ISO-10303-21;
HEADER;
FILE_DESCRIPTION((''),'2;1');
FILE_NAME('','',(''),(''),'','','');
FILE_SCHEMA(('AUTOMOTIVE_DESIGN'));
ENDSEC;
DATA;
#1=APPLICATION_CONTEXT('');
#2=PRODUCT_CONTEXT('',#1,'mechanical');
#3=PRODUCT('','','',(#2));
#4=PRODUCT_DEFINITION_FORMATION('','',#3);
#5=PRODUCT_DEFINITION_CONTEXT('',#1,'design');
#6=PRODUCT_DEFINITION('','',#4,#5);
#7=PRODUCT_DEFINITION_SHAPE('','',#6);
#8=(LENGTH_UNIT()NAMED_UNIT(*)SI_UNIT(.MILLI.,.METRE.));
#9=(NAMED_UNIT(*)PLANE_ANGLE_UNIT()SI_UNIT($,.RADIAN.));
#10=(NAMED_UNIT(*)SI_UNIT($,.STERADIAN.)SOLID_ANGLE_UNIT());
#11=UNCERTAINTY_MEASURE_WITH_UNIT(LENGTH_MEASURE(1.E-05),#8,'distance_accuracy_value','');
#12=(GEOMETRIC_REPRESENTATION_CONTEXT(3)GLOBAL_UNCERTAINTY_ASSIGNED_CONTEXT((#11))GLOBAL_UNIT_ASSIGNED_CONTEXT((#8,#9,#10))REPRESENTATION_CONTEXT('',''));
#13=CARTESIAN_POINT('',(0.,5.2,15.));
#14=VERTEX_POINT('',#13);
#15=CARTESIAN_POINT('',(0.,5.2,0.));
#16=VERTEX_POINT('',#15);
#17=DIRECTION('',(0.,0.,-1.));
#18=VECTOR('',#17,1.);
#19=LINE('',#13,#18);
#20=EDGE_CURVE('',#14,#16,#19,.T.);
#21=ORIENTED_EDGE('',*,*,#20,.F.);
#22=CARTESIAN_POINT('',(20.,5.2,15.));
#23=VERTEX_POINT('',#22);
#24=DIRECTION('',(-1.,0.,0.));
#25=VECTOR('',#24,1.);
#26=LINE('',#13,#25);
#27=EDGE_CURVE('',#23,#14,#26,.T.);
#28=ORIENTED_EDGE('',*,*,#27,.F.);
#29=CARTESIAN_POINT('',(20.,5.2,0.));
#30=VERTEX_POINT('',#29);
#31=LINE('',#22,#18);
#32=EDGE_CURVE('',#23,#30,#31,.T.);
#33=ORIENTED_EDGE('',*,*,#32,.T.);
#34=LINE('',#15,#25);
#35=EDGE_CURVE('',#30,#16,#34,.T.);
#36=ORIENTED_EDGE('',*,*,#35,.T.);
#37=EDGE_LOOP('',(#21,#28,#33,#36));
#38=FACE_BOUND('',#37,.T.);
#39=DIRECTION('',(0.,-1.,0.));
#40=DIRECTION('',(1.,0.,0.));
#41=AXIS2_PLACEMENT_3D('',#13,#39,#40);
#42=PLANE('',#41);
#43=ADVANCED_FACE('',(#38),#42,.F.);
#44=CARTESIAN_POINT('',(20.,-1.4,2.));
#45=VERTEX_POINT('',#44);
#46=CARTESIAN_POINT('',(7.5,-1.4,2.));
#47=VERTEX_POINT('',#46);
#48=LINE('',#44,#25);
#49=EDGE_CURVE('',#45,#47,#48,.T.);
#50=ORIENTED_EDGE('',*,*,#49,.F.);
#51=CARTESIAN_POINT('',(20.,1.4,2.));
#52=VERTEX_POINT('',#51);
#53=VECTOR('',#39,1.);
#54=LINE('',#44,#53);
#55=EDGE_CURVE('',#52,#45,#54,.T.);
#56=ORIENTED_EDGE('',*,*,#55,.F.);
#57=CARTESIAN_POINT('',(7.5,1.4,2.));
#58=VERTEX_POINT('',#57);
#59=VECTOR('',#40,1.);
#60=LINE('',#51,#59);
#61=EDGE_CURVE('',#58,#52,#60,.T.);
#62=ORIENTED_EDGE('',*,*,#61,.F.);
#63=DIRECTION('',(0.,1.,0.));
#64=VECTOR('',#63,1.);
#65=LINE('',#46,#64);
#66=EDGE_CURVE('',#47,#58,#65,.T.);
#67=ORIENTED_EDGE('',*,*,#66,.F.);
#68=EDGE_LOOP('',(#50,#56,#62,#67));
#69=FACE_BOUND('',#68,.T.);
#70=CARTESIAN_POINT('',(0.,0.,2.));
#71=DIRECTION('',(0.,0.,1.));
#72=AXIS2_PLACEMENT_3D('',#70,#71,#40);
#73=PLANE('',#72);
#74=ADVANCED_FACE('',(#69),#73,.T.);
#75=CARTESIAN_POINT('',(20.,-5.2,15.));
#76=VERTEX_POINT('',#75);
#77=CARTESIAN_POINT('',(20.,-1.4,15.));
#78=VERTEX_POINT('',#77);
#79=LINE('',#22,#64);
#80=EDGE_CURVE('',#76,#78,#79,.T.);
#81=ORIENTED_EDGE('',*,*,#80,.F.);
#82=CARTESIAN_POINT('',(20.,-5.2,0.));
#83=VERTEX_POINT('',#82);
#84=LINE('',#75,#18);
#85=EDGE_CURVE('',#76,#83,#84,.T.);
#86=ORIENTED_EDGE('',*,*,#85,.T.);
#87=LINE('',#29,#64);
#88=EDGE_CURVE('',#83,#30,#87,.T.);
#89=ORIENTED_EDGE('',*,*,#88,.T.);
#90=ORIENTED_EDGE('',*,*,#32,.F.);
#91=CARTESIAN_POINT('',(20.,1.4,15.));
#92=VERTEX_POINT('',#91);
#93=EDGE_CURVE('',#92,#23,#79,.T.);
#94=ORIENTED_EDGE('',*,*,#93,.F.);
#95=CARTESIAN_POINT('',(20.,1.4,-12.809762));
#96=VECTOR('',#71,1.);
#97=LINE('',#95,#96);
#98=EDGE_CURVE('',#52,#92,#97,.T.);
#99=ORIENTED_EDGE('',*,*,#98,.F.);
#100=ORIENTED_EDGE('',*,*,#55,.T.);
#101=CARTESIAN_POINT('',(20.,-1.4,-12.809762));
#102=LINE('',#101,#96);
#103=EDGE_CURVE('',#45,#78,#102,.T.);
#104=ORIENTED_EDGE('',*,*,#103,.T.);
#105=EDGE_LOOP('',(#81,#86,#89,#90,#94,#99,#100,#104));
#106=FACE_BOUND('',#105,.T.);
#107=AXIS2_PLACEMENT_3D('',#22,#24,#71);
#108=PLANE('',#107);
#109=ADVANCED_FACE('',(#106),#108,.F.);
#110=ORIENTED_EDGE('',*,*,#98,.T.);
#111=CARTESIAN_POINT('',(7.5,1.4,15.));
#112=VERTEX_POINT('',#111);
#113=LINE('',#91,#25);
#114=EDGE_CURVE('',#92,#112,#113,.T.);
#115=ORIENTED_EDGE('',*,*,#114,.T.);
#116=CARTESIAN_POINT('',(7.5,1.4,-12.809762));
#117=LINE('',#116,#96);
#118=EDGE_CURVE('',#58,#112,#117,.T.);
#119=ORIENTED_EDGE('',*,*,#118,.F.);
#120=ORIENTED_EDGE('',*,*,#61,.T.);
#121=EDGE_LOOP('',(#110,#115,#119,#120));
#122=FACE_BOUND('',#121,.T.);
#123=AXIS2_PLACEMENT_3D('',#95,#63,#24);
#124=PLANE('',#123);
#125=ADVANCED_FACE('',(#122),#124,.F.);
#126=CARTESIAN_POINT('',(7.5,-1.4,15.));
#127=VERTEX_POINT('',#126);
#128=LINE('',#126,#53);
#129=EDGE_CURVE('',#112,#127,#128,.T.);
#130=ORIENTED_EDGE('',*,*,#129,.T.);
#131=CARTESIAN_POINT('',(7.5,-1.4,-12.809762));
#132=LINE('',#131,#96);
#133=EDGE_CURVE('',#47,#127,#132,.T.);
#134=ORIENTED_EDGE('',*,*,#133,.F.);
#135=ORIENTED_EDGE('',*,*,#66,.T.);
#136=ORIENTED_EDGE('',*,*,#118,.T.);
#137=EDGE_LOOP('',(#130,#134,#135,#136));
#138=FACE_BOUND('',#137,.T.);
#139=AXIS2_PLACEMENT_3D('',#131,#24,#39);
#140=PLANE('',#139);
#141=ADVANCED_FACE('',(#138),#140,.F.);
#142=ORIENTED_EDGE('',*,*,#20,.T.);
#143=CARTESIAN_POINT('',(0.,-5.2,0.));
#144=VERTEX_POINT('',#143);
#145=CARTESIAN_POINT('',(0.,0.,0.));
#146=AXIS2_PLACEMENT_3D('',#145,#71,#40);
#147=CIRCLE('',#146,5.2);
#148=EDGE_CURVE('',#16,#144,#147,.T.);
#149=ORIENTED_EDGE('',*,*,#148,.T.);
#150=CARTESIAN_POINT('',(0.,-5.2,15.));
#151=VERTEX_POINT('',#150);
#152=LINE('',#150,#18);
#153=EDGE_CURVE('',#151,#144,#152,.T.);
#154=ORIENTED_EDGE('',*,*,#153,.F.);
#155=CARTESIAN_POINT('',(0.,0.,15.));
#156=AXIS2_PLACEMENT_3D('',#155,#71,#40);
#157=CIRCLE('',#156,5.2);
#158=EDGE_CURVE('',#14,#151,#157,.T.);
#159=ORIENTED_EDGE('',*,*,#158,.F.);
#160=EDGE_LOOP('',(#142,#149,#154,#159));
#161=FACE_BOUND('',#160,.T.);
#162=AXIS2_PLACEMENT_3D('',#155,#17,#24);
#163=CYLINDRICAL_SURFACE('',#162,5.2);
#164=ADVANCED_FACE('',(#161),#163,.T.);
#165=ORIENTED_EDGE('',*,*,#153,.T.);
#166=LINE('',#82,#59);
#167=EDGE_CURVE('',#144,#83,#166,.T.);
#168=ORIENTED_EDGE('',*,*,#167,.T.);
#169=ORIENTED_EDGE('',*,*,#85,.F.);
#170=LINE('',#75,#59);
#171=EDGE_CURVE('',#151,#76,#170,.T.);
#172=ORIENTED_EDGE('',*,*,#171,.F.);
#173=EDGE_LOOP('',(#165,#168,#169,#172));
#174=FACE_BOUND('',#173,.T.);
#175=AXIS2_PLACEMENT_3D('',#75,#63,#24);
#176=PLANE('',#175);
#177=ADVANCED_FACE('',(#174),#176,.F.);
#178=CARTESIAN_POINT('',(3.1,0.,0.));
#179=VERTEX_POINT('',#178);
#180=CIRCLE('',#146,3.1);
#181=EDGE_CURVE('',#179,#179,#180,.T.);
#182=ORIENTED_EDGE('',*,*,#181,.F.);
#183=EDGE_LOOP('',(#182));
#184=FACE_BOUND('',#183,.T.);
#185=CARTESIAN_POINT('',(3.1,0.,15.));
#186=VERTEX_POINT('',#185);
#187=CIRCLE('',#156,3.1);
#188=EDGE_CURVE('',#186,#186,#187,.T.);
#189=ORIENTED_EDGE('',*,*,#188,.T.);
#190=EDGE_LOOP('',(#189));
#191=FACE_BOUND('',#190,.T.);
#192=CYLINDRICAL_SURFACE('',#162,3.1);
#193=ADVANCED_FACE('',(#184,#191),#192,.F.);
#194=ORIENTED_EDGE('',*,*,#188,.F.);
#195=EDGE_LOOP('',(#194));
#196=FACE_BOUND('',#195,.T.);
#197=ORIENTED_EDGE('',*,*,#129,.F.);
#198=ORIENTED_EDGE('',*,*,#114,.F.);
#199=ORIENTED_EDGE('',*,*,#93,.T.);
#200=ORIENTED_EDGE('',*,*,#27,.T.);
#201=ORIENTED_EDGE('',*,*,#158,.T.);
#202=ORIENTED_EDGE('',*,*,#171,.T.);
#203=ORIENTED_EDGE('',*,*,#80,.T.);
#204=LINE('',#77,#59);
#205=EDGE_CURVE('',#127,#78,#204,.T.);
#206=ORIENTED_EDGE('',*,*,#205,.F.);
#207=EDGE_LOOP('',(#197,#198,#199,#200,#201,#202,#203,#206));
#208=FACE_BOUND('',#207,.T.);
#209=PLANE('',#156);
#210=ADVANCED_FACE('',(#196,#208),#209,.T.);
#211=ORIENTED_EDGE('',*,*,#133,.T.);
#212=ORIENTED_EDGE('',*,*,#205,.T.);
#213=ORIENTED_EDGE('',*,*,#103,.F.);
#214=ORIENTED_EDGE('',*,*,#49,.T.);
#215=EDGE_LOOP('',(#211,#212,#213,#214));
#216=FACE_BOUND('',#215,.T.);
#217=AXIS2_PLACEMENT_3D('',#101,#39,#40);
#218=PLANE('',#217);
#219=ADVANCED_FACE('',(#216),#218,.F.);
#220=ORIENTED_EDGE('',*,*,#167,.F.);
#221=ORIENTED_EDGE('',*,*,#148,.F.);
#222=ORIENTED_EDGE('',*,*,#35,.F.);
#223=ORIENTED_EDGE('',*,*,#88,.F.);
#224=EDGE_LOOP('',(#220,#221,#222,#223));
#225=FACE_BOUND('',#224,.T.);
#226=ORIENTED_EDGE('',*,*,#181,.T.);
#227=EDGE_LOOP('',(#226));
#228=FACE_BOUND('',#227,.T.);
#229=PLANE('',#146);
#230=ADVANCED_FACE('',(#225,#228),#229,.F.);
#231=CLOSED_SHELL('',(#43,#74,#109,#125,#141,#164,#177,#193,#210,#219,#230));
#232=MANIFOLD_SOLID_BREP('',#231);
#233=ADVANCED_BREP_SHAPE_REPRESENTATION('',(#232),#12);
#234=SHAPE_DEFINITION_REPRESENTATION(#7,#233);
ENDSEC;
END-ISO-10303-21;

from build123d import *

# Parameters (mm, degrees)
CROQUIS1_R              = 3.1
SALIENTE_EXTRUIR1_DEPTH = 15
CROQUIS2_W              = 12.5
CROQUIS2_H              = 2.8
CORTAR_EXTRUIR1_DEPTH   = 13


with BuildPart() as part:
    # Croquis1 → Saliente-Extruir1 (new body)
    with BuildSketch(Plane.XY):
        with BuildLine():
            Line((0, 5.2), (20, 5.2))
            Line((20, 5.2), (20, -5.2))
            Line((20, -5.2), (0, -5.2))
            ThreePointArc((0, -5.2), (-5.2, 0), (0, 5.2))
        make_face()
        Circle(CROQUIS1_R, mode=Mode.SUBTRACT)
    extrude(amount=SALIENTE_EXTRUIR1_DEPTH)

    # Croquis2 → Cortar-Extruir1 (cut)
    with BuildSketch(Plane.XY.offset(15)):
        with Locations((13.75, 0)):
            Rectangle(CROQUIS2_W, CROQUIS2_H)
    extrude(amount=-CORTAR_EXTRUIR1_DEPTH, mode=Mode.SUBTRACT)


solid = part.part
